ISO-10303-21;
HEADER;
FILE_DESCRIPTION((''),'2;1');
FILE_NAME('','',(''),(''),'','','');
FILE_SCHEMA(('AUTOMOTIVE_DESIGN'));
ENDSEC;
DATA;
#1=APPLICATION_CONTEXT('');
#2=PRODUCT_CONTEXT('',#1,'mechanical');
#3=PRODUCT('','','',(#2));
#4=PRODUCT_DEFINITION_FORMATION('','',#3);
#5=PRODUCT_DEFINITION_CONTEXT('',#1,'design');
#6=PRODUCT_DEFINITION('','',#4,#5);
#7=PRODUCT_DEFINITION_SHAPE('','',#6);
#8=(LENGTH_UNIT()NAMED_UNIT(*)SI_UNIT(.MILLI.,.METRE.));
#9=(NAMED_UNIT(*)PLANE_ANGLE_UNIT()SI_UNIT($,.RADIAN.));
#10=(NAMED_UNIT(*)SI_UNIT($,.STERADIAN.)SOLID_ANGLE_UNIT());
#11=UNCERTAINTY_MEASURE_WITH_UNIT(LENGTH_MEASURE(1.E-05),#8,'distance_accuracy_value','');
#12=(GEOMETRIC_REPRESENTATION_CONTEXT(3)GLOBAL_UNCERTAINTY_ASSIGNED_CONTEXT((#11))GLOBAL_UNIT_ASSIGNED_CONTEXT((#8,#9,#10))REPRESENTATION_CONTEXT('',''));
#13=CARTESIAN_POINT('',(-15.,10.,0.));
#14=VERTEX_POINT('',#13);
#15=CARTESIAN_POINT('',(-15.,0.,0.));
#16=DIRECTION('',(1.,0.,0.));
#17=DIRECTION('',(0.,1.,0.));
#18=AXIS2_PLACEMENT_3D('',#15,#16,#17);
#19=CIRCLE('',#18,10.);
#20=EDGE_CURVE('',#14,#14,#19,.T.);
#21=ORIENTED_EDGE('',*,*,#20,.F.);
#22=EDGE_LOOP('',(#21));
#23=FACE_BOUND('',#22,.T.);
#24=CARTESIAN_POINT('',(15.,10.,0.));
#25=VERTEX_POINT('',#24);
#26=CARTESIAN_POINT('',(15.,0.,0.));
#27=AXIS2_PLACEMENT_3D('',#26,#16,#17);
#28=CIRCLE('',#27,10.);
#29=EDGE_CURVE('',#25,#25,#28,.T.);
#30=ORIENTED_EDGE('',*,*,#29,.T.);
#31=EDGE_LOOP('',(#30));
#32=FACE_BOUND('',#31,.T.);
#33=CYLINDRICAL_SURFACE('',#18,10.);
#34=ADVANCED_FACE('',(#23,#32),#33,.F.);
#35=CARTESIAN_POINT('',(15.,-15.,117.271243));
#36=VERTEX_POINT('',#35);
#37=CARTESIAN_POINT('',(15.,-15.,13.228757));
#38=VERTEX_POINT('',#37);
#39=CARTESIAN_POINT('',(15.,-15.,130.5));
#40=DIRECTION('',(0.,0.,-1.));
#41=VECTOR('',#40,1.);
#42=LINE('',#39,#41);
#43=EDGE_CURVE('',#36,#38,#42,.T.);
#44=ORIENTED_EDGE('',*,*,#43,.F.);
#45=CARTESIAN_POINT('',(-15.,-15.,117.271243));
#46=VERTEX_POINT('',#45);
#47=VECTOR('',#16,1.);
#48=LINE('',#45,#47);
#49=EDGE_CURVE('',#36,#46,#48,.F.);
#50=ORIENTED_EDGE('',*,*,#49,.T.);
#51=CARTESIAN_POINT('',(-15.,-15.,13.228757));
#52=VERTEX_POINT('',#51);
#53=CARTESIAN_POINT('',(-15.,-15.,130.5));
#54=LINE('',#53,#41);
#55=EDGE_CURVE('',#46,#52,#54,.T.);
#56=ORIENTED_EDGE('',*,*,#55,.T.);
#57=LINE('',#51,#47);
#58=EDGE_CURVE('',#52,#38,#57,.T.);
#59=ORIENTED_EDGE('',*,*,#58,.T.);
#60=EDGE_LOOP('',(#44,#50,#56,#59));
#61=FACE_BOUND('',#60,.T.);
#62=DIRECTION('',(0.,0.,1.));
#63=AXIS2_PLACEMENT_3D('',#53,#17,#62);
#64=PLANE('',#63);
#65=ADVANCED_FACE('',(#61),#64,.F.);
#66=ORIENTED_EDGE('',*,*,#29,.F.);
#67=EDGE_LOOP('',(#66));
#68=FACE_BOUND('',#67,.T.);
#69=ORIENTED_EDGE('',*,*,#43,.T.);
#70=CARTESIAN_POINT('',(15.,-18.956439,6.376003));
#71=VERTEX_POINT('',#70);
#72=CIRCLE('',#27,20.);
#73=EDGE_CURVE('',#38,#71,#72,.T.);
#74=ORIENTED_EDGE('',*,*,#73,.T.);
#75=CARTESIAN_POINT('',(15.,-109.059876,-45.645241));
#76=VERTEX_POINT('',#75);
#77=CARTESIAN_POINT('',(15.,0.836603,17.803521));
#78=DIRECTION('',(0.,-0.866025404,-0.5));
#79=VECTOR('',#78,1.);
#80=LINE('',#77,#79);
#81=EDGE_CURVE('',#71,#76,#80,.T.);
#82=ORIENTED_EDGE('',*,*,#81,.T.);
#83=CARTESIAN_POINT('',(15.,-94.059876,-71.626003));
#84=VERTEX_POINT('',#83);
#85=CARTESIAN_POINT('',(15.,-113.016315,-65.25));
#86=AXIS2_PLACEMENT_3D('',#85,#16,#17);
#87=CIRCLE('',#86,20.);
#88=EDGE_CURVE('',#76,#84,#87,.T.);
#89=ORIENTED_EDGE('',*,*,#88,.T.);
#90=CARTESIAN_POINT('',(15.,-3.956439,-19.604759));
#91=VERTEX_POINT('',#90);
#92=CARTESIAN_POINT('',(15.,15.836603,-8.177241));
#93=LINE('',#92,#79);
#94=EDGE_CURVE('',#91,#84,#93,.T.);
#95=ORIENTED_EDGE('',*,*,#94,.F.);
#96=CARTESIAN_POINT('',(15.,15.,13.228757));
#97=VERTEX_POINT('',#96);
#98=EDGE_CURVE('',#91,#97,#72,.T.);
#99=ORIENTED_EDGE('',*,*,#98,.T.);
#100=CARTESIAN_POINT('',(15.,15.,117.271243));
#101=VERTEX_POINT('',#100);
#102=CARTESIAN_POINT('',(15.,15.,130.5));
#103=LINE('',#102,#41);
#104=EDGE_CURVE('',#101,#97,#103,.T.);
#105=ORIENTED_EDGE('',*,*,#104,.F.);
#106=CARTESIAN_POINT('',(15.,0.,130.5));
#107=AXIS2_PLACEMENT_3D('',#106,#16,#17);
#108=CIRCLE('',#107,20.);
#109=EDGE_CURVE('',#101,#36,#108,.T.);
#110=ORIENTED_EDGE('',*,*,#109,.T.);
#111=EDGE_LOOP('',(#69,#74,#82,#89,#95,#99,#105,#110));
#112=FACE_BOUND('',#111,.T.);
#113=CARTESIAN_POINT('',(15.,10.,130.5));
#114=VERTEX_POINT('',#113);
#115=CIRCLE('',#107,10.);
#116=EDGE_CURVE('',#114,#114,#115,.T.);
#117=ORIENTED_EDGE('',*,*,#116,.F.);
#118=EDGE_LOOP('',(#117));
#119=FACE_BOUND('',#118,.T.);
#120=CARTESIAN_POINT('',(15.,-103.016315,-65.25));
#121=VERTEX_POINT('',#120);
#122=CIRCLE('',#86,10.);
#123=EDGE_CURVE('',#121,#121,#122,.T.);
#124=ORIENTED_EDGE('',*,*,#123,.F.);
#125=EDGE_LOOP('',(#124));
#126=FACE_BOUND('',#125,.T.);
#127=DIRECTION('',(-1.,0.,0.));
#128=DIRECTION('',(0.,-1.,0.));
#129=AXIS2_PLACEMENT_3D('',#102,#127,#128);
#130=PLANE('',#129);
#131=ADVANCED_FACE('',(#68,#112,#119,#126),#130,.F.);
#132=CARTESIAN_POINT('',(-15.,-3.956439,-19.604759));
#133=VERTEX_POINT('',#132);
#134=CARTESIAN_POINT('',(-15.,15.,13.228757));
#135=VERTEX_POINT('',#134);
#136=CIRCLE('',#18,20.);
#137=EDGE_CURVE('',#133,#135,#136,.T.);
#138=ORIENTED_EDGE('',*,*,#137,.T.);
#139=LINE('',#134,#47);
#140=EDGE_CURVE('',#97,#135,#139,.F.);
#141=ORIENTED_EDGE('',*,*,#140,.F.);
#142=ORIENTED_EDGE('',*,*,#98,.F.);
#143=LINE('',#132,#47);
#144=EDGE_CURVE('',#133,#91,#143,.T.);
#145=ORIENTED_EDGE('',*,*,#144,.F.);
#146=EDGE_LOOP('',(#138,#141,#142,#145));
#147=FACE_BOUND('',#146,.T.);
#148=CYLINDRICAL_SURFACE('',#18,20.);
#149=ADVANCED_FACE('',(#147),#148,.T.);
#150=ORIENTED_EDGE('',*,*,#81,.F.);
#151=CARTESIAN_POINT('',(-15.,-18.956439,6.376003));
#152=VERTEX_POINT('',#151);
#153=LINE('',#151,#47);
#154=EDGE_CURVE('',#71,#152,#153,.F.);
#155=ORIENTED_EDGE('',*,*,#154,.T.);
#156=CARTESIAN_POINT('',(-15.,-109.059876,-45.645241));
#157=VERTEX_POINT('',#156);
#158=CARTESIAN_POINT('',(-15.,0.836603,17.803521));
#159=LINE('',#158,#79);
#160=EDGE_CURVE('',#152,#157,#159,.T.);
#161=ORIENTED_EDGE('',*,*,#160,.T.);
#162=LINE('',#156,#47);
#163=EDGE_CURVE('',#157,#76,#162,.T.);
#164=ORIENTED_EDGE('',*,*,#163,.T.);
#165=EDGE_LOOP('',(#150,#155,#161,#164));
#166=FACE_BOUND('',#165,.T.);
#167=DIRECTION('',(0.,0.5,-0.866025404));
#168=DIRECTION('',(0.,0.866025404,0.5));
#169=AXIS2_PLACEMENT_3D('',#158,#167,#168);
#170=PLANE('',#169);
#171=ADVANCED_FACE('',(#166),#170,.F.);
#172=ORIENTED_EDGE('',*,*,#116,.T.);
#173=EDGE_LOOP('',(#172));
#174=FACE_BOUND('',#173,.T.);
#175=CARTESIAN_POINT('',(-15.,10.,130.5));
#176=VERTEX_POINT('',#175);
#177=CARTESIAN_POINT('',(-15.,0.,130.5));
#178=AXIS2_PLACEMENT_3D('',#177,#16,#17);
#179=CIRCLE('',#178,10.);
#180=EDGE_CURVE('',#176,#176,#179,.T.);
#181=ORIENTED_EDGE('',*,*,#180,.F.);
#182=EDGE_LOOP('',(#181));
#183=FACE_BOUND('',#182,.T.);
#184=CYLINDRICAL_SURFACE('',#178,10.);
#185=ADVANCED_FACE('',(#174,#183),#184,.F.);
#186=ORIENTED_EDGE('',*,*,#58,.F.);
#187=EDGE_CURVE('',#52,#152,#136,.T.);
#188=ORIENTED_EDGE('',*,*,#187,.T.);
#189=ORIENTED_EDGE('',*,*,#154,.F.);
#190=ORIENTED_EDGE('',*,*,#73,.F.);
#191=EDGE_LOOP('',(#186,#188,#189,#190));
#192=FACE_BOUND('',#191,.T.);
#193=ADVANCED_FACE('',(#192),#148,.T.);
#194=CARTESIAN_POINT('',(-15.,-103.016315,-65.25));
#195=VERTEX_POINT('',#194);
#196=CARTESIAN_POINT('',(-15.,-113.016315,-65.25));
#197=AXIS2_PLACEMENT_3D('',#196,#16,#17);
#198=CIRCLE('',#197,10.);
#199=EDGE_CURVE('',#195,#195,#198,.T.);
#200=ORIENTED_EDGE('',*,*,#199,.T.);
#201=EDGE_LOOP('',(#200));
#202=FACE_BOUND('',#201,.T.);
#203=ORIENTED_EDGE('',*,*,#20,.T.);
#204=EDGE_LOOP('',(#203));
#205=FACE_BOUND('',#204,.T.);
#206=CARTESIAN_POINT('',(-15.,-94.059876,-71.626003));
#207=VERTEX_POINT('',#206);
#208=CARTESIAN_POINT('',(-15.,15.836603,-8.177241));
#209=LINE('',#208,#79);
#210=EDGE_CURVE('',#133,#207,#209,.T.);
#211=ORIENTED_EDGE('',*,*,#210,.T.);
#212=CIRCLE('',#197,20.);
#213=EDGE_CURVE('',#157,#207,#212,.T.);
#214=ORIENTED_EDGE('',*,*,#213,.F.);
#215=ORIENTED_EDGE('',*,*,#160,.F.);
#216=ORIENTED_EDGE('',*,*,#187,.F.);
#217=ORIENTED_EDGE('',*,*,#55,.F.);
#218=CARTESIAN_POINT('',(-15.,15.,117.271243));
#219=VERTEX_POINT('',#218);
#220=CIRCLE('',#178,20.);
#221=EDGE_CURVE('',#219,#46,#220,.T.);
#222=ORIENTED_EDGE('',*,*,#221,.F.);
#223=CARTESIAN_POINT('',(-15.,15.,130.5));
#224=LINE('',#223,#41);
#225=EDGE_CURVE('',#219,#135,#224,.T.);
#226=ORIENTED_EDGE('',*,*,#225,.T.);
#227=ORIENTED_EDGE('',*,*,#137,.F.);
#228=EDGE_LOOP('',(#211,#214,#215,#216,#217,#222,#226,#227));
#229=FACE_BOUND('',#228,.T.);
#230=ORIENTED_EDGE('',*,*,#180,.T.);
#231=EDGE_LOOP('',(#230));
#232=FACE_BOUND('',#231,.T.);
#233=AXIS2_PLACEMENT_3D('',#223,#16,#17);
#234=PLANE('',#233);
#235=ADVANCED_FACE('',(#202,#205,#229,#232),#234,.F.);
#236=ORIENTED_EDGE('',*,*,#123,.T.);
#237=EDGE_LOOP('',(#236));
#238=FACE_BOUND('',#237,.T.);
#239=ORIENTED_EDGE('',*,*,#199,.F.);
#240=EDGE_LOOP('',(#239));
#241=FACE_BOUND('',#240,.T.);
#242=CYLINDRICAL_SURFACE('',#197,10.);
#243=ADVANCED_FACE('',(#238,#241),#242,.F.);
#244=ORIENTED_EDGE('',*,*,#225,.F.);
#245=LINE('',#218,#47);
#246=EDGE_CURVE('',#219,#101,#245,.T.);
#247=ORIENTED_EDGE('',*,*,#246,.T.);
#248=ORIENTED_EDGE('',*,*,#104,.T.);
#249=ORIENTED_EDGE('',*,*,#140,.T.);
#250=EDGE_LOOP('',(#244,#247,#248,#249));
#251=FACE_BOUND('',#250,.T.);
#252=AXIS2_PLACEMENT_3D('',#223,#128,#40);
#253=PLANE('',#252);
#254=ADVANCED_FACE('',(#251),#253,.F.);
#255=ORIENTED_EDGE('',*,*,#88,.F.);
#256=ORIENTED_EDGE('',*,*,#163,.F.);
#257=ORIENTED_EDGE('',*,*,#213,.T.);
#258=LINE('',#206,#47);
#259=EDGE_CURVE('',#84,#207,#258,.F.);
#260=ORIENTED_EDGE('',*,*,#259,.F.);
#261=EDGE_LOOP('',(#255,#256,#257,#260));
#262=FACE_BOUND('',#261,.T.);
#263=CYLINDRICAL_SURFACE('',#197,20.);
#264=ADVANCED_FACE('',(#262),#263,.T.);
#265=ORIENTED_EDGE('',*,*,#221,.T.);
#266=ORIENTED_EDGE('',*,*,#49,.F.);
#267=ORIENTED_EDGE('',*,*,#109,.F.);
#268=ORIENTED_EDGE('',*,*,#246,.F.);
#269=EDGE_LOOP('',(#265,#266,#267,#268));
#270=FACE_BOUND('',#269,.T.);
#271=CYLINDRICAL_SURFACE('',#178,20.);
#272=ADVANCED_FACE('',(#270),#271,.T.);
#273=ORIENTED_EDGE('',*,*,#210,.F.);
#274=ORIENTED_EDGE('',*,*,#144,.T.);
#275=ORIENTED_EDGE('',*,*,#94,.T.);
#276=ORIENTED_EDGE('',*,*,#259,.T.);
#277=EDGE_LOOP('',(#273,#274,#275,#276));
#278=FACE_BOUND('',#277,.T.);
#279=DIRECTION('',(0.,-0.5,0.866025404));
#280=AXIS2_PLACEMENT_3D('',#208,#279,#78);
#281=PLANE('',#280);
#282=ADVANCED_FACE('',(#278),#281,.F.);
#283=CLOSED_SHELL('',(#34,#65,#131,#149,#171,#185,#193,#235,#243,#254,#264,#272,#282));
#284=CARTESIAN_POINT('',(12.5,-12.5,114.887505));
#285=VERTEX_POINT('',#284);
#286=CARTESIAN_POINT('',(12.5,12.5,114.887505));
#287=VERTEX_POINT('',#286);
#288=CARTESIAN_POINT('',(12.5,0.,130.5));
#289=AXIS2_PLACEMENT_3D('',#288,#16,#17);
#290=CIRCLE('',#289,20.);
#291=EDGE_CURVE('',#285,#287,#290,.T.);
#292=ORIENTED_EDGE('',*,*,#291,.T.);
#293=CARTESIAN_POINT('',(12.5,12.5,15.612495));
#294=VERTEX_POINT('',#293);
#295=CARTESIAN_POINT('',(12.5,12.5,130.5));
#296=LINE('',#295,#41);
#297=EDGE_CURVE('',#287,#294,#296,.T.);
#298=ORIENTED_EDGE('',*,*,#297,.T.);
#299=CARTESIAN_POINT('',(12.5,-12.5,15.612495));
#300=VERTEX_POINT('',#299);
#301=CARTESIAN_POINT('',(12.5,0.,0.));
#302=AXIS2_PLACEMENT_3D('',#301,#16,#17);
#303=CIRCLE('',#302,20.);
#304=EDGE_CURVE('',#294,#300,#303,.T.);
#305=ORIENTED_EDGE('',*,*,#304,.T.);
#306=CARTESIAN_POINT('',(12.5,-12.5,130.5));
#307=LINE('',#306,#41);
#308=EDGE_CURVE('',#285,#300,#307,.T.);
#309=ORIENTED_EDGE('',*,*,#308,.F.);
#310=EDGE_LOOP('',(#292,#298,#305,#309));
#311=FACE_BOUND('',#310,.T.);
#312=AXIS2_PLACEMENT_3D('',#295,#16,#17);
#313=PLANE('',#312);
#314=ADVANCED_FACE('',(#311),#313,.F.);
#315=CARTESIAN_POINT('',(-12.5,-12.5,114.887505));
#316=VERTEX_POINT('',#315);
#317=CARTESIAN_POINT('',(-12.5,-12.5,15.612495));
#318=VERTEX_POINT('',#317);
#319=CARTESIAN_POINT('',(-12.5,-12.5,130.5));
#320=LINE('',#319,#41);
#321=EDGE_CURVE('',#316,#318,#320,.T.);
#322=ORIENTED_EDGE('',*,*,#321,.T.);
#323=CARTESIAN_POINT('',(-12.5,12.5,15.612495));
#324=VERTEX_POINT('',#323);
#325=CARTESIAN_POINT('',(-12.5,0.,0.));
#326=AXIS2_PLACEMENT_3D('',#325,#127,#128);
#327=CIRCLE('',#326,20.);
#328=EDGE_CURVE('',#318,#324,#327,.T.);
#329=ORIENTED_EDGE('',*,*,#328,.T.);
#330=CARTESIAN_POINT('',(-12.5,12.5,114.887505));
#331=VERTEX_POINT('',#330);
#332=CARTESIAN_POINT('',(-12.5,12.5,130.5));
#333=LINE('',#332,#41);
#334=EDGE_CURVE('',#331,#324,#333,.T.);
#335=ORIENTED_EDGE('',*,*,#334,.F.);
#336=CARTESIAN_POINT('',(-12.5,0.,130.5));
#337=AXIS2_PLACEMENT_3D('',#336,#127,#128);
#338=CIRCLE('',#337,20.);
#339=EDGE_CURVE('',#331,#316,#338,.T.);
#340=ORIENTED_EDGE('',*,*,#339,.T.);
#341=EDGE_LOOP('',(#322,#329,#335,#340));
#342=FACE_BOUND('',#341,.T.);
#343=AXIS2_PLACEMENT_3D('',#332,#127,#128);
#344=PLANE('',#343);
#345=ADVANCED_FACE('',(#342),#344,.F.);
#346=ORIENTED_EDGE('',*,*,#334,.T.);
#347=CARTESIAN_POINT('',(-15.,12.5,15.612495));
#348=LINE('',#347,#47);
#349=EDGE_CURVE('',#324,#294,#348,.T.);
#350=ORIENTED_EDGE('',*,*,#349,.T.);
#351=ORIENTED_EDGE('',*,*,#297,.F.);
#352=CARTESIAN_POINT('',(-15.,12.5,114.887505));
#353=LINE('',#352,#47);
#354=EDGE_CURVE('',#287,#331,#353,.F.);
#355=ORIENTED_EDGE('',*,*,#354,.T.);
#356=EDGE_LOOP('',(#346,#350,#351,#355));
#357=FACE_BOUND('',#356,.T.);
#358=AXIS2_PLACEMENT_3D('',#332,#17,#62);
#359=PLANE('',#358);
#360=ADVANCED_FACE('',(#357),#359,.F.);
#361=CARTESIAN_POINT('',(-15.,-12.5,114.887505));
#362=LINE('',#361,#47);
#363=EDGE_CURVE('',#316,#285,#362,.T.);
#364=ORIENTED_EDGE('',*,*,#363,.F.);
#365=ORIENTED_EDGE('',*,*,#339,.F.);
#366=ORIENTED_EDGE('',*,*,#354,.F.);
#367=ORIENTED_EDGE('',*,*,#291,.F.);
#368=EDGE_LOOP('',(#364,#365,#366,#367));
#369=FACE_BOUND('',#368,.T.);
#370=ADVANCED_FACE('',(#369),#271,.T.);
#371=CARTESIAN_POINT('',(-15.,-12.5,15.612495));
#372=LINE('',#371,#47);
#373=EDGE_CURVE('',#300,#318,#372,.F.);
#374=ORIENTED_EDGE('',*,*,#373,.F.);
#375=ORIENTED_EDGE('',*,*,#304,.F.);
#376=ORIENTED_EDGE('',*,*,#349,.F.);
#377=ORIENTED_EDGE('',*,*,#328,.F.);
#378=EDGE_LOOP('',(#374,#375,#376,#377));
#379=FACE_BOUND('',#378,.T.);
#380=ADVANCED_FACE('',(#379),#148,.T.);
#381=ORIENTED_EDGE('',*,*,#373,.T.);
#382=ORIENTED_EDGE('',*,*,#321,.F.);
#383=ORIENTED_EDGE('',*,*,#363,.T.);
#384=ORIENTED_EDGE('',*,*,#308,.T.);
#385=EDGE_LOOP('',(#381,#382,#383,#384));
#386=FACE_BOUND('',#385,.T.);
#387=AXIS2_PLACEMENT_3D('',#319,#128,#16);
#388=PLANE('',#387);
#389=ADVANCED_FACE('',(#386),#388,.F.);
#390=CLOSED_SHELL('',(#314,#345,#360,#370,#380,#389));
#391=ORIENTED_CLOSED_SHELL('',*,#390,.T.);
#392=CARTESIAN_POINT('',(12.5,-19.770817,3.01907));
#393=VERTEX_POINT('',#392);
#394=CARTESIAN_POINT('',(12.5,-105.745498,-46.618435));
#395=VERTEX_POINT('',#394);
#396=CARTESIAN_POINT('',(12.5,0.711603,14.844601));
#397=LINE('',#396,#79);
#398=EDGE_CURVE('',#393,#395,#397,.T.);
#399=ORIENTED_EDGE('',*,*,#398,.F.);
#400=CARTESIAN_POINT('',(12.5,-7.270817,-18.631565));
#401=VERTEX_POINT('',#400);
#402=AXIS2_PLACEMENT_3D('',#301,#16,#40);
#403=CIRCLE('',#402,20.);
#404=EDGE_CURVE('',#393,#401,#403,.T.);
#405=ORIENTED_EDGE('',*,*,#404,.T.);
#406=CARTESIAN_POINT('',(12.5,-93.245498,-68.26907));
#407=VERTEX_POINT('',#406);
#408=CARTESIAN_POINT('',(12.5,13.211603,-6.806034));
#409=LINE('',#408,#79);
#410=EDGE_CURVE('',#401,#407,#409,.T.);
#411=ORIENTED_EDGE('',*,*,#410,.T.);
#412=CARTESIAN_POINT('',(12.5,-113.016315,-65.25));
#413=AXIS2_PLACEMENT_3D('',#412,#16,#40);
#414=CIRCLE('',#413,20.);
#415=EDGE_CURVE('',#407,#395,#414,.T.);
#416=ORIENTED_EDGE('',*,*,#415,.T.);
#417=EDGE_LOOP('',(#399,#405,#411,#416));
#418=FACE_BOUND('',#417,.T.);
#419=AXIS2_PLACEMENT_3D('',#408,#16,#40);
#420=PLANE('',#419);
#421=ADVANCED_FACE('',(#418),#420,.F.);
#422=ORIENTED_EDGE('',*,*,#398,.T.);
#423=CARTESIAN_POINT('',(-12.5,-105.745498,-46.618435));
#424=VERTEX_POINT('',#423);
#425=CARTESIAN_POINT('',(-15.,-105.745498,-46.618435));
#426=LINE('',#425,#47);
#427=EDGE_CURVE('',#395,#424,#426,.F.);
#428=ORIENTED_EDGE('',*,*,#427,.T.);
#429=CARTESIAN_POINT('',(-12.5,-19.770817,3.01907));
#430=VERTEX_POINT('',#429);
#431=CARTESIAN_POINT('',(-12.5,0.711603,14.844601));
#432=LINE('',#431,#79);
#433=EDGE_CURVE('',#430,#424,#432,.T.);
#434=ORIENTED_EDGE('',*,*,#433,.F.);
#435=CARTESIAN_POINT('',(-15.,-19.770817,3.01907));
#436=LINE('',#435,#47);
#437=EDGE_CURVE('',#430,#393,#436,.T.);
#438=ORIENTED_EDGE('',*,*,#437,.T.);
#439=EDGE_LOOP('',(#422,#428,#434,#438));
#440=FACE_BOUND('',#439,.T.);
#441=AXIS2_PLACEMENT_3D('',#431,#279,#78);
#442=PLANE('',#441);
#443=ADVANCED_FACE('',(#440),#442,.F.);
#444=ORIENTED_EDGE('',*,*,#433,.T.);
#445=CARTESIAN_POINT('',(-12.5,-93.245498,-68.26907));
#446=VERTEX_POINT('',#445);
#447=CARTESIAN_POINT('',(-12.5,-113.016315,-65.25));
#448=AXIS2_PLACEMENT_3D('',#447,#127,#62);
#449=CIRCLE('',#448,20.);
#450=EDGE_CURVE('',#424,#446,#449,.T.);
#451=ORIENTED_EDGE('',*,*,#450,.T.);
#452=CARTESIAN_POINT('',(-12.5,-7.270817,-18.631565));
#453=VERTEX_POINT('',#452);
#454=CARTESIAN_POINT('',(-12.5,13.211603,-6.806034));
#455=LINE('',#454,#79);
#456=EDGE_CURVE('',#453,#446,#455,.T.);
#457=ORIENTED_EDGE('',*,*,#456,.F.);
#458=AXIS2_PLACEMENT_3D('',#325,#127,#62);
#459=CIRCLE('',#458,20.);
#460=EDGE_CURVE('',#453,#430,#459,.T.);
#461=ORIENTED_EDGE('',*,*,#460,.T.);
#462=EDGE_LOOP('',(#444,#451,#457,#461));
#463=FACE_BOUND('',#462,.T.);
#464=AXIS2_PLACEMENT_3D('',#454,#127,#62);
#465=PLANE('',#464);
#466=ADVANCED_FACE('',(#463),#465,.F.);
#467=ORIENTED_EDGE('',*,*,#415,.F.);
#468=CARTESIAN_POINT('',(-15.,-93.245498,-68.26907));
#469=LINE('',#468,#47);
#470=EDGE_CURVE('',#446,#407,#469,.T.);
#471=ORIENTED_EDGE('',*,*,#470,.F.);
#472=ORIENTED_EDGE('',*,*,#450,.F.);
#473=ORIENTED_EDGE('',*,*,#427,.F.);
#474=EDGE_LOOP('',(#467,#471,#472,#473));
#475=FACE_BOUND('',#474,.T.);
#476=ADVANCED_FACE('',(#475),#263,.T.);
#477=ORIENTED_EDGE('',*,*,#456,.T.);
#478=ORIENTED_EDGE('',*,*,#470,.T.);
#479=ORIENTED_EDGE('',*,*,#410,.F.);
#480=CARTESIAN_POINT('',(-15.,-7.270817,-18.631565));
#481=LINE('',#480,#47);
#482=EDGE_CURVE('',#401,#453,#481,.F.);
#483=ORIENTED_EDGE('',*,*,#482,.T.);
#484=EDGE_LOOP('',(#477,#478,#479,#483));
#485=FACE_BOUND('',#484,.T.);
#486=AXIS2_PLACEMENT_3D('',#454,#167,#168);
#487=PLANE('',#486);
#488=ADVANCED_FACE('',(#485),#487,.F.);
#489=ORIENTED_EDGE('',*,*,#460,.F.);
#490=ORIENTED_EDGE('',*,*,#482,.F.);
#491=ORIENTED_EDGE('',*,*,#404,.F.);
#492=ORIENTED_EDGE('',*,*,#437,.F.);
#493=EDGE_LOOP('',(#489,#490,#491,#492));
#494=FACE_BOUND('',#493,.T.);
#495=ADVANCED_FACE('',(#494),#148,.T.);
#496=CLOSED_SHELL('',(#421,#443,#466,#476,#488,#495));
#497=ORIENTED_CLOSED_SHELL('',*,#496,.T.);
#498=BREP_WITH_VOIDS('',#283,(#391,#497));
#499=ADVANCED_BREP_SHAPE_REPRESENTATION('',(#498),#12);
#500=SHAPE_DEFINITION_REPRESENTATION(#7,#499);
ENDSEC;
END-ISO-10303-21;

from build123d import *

# Parameters (mm, degrees)
SKETCH2_W           = 30
SKETCH2_H           = 30
SKETCH2_W_2         = 25
SKETCH2_H_2         = 25
SKETCH3_R           = 20
BOSS_EXTRUDE2_DEPTH = 30
SKETCH4_R           = 10
CUT_EXTRUDE1_DEPTH  = 30


with BuildPart() as part:
    # Sweep1: sweep along a path in Sketch1
    with BuildLine(Plane(origin=(0, 0, 0), x_dir=(0, 0, -1), z_dir=(1, 0, 0))) as sweep1_path:
        Line((-130.5, 0), (0, 0))
        Line((0, 0), (65.25, -113.016315194))
    # Sketch2 → Sweep1 (sweep)
    with BuildSketch(Plane.XY.offset(130.5)):
        Rectangle(SKETCH2_W, SKETCH2_H)
        Rectangle(SKETCH2_W_2, SKETCH2_H_2, mode=Mode.SUBTRACT)
    sweep(path=sweep1_path.line, transition=Transition.RIGHT)

    # Sketch3 → Boss-Extrude2 (add)
    with BuildSketch(Plane(origin=(15, 0, 0), x_dir=(0, 0, -1), z_dir=(1, 0, 0))):
        Circle(SKETCH3_R)
        with Locations((65.25, -113.016315194)):
            Circle(SKETCH3_R)
        with Locations((-130.5, 0)):
            Circle(SKETCH3_R)
    extrude(amount=-BOSS_EXTRUDE2_DEPTH)

    # Sketch4 → Cut-Extrude1 (cut)
    with BuildSketch(Plane(origin=(15, 0, 0), x_dir=(0, 0, -1), z_dir=(1, 0, 0))):
        with Locations(Location((-130.5, 0, 0), (0, 0, 90))):
            Circle(SKETCH4_R)
        with Locations(Location((0, 0, 0), (0, 0, 90))):
            Circle(SKETCH4_R)
        with Locations(Location((65.25, -113.016315194, 0), (0, 0, 90))):
            Circle(SKETCH4_R)
    extrude(amount=-CUT_EXTRUDE1_DEPTH, mode=Mode.SUBTRACT)


solid = part.part
